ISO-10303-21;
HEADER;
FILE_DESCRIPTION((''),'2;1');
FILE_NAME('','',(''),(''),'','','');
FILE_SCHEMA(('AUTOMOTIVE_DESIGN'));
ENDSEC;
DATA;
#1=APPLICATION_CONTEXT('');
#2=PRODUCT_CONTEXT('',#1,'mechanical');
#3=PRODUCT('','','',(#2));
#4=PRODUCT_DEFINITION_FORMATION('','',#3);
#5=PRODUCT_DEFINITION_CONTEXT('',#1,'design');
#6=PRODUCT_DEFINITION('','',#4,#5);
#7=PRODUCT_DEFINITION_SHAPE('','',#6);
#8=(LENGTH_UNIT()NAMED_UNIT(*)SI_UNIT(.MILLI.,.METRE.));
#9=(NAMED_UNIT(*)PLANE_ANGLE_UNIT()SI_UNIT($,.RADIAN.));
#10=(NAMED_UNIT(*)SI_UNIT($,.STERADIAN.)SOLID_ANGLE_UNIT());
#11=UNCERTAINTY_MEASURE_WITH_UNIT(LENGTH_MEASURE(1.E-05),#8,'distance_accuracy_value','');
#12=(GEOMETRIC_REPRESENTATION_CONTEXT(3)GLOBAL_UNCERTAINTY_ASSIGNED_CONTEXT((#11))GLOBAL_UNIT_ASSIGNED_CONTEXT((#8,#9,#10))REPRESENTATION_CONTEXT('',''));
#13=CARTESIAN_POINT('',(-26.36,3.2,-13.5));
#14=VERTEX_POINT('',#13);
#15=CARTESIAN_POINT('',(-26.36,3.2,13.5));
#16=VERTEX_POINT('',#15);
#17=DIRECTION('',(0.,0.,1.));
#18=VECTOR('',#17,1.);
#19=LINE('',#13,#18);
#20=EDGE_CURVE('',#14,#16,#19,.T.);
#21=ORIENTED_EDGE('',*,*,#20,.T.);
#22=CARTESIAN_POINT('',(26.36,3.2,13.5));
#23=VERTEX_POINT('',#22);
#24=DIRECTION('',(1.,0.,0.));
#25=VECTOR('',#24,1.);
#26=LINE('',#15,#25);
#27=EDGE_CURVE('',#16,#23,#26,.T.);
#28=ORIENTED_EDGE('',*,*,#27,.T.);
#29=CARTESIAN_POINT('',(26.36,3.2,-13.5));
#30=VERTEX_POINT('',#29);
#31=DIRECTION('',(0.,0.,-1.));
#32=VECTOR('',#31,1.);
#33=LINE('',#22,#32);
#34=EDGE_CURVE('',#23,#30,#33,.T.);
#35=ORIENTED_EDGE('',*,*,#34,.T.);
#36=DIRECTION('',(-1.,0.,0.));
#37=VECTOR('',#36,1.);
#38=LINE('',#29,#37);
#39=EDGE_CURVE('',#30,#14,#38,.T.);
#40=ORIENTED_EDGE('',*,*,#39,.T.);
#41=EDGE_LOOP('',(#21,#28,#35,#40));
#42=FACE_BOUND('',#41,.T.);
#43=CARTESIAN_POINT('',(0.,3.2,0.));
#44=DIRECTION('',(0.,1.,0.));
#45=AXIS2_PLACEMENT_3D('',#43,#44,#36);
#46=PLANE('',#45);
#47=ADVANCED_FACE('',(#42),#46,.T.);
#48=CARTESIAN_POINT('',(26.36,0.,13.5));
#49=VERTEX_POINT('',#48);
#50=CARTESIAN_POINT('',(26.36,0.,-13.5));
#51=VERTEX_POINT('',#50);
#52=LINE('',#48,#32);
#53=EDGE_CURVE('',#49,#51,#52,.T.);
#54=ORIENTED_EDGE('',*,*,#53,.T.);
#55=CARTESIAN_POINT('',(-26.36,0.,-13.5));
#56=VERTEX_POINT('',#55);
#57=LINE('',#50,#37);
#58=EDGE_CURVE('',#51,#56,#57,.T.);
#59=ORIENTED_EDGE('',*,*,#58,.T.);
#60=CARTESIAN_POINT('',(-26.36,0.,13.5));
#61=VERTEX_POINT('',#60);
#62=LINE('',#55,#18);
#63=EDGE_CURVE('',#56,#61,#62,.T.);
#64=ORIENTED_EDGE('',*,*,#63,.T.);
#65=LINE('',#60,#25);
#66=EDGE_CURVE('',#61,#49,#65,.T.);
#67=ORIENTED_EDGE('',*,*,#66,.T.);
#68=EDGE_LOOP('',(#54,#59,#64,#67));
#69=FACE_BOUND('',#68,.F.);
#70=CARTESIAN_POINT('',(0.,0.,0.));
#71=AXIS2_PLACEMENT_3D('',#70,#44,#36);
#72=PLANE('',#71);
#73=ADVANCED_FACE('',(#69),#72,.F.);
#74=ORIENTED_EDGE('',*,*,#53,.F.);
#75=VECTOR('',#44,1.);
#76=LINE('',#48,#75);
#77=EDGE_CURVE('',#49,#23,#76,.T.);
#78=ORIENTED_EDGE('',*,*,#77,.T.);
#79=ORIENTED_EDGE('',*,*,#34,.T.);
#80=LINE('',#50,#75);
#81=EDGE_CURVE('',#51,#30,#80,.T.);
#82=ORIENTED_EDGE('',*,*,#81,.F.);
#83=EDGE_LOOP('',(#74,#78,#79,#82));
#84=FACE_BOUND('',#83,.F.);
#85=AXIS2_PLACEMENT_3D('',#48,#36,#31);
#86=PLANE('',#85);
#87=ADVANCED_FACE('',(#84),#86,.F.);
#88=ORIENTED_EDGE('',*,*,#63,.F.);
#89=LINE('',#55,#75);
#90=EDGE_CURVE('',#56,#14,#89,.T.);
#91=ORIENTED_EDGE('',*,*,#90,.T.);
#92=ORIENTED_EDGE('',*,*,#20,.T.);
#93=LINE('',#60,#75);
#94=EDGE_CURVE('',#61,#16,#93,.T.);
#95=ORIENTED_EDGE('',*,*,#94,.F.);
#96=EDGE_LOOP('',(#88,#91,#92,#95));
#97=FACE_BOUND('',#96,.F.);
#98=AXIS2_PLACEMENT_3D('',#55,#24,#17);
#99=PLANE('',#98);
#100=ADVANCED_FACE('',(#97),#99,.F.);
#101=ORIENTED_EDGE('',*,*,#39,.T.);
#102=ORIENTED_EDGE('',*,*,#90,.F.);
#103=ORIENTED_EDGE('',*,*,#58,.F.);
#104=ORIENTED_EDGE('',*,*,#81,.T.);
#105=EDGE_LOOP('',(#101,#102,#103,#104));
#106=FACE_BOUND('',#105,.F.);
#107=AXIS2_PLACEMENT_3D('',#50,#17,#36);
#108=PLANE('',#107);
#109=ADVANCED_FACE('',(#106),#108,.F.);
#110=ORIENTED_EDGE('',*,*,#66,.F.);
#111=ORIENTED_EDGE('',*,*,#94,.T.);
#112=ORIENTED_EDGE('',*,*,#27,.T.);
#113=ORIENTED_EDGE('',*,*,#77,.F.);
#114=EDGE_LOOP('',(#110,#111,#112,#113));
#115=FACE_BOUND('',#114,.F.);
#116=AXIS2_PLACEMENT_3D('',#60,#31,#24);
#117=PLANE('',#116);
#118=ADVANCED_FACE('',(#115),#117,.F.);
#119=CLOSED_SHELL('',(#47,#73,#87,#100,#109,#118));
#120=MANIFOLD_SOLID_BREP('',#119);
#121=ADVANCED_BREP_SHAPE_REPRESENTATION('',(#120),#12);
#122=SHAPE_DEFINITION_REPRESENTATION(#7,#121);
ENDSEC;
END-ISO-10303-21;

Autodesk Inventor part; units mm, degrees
ref_plane "YZ Plane" through (0, 0, 0) normal (1, 0, 0) x (0, 1, 0)
ref_plane "XZ Plane" through (0, 0, 0) normal (0, 1, 0) x (-1, 0, 0)
ref_plane "XY Plane" through (0, 0, 0) normal (0, 0, 1) x (1, 0, 0)
sketch "Sketch1" plane through (0, 0, 0) normal (0, 1, 0) x (-1, 0, 0)
  line L0 (26.36, 13.5) -> (-26.36, 13.5)
  line L1 (-26.36, 13.5) -> (-26.36, -13.5)
  line L2 (-26.36, -13.5) -> (26.36, -13.5)
  line L3 (26.36, -13.5) -> (26.36, 13.5)
  line L4 (26.36, 13.5) -> (-26.36, -13.5) construction
  line L5 (-26.36, 13.5) -> (26.36, -13.5) construction
  point P0 (0, 0)
  dimension "b" = 52.72
  dimension "d4" = 27
extrude "Extrusion1" add sketch "Sketch1" along normal blind 3.2
properties part number "Base"
